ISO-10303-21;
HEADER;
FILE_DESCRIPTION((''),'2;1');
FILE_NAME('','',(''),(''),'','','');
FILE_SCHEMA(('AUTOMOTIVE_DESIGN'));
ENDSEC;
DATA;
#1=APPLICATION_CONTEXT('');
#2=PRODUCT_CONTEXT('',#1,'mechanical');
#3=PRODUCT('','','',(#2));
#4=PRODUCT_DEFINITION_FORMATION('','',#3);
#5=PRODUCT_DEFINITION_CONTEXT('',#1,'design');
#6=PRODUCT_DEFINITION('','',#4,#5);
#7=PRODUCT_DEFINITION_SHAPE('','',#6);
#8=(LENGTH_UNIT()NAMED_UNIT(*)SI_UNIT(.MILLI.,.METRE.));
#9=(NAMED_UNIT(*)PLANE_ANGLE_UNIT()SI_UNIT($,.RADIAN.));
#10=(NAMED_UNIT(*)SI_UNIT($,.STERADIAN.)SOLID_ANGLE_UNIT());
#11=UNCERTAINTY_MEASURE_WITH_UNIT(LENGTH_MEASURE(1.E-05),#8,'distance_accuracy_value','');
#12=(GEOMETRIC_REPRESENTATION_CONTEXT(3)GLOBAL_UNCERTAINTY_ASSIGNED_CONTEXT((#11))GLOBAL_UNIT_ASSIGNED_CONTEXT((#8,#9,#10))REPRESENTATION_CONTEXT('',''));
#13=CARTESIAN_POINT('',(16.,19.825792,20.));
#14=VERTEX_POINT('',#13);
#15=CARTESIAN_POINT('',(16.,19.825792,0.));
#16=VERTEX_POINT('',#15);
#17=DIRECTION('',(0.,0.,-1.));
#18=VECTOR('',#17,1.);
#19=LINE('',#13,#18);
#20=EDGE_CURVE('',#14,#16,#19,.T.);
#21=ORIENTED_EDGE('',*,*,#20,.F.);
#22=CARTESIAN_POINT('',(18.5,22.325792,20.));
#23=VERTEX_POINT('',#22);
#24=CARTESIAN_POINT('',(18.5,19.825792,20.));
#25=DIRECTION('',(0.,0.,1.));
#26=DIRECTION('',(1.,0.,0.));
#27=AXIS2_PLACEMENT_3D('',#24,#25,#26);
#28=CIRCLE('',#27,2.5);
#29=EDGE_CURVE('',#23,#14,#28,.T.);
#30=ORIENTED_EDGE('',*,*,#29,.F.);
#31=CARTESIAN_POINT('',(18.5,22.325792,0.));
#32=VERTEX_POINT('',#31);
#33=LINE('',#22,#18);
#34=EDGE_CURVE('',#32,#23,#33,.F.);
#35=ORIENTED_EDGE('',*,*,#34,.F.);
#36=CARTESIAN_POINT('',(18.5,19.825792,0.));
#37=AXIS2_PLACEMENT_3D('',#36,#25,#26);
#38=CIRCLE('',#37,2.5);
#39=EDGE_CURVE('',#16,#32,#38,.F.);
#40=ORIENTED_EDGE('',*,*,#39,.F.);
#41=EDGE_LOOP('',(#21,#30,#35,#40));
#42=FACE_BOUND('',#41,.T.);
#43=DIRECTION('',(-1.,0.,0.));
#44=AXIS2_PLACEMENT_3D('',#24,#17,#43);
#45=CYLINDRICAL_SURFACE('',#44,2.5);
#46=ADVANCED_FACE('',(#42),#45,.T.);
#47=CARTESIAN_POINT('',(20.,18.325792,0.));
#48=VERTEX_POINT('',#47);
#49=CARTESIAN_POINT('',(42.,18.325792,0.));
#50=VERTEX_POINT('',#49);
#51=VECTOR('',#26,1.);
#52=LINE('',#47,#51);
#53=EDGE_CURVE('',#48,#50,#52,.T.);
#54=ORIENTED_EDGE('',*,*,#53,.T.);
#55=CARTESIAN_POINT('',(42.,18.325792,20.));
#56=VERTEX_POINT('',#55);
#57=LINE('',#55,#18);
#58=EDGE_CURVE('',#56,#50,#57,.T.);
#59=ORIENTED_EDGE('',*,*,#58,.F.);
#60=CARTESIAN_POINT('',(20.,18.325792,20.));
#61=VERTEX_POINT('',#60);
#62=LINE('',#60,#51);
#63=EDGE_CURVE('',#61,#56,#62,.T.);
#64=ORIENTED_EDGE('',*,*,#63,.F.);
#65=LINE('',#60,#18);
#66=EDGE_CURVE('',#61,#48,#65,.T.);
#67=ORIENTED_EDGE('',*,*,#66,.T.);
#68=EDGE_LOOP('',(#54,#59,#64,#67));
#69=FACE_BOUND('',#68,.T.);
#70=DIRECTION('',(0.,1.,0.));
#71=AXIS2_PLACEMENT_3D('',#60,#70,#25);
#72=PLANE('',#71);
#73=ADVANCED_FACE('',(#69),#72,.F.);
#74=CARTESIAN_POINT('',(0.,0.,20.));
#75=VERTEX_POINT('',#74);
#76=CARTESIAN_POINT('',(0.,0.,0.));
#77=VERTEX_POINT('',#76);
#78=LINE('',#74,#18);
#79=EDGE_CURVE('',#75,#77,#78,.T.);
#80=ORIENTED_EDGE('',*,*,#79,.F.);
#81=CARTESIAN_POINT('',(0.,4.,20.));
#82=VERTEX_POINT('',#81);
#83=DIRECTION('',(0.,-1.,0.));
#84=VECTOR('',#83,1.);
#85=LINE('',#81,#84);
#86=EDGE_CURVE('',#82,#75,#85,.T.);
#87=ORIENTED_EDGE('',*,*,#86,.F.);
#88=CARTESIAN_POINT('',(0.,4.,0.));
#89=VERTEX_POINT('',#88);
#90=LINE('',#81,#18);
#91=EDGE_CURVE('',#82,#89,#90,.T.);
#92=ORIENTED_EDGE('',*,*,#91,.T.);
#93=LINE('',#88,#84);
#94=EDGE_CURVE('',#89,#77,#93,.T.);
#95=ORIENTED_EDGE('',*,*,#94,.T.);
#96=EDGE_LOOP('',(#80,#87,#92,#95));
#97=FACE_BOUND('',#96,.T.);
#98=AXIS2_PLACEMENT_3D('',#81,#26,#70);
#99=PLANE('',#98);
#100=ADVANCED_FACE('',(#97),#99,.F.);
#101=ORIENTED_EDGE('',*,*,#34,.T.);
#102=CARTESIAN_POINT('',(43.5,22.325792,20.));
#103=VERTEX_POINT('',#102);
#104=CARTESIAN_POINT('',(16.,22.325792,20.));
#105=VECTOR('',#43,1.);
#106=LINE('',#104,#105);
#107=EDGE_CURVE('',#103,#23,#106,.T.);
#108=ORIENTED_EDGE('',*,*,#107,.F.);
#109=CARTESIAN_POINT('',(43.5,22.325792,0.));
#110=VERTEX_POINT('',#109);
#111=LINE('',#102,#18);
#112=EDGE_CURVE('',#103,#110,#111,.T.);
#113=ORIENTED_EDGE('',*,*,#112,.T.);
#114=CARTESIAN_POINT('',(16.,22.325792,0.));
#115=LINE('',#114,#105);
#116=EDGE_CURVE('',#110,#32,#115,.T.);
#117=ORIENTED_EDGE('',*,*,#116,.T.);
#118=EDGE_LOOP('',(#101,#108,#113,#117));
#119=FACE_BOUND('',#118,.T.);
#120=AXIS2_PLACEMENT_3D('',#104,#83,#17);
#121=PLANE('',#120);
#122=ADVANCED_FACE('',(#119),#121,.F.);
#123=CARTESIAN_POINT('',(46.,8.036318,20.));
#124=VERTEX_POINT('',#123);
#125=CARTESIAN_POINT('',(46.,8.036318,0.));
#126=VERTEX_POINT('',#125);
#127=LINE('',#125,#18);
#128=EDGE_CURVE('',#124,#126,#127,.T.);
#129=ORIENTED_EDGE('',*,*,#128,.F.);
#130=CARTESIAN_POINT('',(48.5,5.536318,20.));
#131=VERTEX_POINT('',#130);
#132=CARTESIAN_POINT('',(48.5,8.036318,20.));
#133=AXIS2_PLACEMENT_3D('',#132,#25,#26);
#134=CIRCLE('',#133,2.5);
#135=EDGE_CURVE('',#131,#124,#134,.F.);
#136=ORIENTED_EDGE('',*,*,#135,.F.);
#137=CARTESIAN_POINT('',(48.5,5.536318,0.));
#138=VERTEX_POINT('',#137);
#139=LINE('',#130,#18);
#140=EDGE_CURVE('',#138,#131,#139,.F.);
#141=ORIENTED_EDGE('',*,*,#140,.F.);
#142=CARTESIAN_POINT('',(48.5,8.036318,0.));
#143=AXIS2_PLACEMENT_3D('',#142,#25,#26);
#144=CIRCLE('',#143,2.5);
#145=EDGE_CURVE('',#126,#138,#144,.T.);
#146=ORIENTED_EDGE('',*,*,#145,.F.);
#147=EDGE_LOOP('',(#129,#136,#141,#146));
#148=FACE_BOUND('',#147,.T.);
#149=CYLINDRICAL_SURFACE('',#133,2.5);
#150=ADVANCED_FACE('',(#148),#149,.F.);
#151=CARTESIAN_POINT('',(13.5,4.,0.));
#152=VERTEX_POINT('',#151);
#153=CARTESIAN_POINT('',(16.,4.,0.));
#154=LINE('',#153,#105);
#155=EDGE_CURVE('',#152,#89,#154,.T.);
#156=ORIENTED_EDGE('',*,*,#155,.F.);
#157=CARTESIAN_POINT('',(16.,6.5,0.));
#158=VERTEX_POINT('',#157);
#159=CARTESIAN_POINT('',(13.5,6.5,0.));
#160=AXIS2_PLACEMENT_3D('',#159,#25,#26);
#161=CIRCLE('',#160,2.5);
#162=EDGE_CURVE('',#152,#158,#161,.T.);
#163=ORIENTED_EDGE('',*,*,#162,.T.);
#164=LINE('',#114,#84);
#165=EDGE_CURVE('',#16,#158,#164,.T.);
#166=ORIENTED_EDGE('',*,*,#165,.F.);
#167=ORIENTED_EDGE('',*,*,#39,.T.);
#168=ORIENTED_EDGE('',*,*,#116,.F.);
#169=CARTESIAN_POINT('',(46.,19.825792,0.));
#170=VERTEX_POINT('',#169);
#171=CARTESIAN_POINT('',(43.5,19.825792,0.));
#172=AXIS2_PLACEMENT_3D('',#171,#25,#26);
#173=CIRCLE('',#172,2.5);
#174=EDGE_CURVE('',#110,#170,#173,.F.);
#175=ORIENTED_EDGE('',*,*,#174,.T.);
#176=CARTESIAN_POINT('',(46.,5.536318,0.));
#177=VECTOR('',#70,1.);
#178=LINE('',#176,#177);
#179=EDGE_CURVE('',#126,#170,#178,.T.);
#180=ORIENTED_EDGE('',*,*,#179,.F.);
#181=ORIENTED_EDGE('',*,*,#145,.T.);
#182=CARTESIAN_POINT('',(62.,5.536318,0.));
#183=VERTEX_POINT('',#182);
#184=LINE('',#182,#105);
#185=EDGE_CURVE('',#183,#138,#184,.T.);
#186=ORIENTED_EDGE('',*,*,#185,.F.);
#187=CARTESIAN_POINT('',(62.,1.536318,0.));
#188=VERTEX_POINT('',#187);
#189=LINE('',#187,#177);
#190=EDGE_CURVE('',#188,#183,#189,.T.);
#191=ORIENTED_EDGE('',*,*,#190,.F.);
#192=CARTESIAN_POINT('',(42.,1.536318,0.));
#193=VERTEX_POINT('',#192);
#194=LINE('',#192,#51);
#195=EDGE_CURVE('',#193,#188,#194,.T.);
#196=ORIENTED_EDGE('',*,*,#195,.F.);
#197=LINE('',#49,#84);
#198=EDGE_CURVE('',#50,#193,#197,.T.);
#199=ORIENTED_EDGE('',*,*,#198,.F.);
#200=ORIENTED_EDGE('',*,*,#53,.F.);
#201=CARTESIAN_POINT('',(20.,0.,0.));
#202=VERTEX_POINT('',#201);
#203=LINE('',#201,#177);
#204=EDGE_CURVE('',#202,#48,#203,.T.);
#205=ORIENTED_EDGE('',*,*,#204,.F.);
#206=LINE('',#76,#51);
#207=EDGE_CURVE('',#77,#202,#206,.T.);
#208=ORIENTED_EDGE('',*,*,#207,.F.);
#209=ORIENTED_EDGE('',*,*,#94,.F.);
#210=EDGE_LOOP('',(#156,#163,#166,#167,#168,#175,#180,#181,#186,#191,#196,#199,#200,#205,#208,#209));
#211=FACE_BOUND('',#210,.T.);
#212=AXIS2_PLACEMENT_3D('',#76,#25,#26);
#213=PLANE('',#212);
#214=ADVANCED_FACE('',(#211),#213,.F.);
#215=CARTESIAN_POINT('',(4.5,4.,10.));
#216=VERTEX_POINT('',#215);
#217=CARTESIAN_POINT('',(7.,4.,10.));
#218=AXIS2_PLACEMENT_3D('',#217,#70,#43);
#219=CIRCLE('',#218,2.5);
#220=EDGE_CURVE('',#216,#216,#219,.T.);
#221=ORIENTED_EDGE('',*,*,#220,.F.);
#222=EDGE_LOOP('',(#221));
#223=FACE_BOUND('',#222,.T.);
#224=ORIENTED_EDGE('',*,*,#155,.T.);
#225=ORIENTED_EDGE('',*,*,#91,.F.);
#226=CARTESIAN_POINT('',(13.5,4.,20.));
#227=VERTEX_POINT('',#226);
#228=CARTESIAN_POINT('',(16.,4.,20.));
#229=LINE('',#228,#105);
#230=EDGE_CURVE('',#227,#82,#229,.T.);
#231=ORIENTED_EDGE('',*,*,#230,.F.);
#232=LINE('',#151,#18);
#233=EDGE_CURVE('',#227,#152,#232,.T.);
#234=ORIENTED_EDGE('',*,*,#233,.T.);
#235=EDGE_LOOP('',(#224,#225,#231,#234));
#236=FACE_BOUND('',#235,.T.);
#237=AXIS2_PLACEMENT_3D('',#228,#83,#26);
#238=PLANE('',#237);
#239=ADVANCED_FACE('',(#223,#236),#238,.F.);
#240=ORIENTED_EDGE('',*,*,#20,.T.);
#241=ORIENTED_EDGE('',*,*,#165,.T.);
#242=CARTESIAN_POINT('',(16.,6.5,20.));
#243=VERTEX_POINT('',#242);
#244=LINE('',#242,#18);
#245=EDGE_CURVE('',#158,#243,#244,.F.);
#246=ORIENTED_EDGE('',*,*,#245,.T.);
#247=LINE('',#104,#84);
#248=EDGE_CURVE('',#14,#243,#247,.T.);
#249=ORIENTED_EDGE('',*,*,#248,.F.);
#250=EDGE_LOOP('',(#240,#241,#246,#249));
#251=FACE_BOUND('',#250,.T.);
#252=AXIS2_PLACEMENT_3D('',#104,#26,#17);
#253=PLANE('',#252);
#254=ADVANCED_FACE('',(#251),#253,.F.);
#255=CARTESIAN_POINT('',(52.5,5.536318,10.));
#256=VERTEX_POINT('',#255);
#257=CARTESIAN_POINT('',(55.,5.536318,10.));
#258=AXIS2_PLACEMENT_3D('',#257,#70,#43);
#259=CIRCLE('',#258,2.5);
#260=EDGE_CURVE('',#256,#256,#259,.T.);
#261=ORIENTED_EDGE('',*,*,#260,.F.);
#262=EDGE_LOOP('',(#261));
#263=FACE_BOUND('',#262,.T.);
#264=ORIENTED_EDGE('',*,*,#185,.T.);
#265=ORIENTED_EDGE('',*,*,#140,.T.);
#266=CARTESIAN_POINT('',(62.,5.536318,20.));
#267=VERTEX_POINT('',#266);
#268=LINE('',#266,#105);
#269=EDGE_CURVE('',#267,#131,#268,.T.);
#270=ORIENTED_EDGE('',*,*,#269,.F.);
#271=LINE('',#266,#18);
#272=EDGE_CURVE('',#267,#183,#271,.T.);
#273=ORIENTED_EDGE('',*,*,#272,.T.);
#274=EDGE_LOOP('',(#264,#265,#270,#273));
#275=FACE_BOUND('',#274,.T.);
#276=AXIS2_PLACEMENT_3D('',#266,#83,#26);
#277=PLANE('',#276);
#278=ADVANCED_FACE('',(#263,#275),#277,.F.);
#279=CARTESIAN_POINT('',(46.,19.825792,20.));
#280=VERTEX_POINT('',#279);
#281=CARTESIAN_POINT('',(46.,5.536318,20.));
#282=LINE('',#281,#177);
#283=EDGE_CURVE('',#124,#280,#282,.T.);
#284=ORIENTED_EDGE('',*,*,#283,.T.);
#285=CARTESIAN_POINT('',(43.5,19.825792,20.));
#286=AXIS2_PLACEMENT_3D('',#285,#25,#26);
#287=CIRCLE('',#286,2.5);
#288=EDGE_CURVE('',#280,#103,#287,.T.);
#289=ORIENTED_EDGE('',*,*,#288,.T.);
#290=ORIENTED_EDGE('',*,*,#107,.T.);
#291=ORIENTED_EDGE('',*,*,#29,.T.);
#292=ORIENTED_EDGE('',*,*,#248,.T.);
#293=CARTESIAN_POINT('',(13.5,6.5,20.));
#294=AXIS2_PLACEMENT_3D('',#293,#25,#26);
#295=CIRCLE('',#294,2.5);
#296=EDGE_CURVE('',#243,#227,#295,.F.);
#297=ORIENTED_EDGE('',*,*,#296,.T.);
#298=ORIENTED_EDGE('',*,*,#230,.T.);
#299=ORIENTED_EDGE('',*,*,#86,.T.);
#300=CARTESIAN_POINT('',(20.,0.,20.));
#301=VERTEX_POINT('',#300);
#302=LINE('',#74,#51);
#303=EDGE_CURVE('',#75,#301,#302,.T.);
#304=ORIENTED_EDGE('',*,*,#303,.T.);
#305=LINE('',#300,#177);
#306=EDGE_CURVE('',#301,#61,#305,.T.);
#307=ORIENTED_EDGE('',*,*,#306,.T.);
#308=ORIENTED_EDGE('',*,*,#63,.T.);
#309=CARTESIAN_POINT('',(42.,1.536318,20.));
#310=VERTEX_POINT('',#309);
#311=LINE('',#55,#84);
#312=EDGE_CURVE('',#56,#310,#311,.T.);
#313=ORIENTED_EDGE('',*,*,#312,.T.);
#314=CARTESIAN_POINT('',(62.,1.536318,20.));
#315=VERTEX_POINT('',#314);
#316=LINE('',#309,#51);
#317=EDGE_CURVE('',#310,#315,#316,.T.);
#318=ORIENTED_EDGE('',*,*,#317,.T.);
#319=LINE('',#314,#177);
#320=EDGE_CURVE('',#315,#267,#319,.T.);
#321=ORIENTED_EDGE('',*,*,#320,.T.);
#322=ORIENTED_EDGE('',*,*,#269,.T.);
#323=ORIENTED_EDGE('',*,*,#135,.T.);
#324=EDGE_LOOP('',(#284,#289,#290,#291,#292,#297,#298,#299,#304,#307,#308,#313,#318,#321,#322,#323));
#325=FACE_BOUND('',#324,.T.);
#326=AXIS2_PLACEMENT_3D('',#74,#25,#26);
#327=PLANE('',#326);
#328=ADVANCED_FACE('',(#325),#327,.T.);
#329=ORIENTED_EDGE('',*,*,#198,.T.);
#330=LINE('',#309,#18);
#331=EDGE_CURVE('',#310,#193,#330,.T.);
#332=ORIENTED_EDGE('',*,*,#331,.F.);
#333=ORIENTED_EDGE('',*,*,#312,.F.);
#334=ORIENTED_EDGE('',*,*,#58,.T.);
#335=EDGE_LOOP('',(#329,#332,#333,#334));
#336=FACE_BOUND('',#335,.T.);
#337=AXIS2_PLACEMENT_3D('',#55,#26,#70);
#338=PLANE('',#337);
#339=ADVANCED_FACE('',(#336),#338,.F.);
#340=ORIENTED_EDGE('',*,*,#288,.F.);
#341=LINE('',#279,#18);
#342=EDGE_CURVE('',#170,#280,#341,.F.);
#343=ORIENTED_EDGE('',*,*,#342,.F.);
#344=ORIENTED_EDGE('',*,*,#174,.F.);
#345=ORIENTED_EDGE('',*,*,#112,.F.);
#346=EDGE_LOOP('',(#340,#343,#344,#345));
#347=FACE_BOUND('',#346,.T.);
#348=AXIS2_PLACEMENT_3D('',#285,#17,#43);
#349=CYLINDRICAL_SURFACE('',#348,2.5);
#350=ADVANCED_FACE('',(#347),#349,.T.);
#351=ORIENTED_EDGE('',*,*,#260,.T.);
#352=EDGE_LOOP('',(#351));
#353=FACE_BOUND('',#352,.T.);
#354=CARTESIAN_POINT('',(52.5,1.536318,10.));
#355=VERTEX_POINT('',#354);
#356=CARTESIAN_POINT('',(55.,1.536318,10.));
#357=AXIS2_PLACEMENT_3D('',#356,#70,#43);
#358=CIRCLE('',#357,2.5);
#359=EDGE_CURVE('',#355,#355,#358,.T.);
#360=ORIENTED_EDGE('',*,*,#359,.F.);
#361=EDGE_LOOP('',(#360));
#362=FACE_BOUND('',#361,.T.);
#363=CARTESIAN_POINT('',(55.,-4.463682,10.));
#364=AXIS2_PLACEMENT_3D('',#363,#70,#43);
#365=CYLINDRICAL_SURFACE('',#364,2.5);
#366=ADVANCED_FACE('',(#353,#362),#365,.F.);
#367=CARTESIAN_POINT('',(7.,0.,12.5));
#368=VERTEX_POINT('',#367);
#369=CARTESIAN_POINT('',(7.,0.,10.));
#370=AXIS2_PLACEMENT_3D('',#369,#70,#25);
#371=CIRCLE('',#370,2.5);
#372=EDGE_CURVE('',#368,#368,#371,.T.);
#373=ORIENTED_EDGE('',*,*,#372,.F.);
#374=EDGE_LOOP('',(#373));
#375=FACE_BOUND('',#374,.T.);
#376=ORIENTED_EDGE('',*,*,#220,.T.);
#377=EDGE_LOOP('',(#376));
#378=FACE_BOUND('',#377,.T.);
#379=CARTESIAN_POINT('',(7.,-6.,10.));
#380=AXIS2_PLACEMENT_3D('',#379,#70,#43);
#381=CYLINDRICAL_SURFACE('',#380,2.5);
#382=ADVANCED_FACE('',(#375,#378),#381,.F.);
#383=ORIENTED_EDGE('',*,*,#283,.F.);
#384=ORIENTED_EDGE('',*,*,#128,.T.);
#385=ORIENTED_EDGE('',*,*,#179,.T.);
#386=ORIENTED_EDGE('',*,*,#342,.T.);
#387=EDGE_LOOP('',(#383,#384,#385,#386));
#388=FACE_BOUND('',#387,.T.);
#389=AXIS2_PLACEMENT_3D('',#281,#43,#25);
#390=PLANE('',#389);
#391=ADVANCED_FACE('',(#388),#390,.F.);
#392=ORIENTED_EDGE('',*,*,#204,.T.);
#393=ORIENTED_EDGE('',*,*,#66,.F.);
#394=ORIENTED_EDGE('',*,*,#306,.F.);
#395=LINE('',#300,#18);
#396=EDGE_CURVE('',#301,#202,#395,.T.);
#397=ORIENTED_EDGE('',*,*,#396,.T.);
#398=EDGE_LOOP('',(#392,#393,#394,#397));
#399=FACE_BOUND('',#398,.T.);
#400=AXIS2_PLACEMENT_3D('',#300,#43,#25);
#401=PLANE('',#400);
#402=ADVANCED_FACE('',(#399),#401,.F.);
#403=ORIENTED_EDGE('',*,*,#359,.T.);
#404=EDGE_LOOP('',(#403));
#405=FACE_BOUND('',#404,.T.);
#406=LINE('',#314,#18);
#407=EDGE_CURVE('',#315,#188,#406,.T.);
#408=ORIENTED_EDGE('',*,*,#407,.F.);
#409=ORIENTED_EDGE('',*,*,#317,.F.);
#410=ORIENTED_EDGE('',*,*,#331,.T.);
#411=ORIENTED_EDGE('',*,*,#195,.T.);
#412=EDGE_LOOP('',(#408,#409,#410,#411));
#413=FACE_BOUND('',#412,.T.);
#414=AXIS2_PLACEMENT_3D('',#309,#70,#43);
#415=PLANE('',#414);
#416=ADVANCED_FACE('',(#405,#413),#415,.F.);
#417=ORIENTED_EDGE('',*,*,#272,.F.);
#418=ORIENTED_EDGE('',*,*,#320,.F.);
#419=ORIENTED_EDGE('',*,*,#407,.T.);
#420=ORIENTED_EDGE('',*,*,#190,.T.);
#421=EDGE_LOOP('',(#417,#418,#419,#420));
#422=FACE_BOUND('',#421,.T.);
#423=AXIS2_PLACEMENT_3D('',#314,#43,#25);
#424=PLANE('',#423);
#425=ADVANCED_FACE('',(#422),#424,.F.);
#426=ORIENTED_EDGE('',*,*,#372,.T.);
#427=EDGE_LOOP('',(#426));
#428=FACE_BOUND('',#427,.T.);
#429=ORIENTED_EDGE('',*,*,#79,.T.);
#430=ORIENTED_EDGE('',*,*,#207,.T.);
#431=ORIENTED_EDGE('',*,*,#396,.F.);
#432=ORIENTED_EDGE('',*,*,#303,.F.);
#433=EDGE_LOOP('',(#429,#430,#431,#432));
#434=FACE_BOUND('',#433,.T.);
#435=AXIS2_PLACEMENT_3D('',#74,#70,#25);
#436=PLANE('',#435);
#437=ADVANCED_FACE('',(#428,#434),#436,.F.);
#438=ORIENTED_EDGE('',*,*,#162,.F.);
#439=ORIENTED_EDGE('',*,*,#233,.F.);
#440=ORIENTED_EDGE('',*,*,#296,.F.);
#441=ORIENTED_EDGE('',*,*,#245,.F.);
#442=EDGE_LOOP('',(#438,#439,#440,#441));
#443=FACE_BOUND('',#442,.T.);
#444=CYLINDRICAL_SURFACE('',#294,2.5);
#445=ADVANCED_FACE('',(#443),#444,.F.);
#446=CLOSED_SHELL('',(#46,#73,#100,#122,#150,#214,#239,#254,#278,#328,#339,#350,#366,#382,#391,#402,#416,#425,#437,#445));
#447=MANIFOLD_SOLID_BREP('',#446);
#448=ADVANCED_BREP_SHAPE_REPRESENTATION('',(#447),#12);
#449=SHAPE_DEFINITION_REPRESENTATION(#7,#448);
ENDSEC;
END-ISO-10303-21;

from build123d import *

# Parameters (mm, degrees)
BOSS_EXTRUDE1_DEPTH = 20
FILLET2_R           = 2.5
SKETCH2_R           = 2.5
CUT_EXTRUDE1_DEPTH  = 10
SKETCH3_R           = 2.5
CUT_EXTRUDE2_DEPTH  = 10


with BuildPart() as part:
    # Sketch1 → Boss-Extrude1 (new body)
    with BuildSketch(Plane.XY):
        Polygon((0, 0), (20, 0), (20, 18.325792173), (42, 18.325792173), (42, 1.536318489), (62, 1.536318489), (62, 5.536318489), (46, 5.536318489), (46, 22.325792173), (16, 22.325792173), (16, 4), (0, 4), align=None)
    extrude(amount=BOSS_EXTRUDE1_DEPTH)

    # Fillet2
    fillet2_edges = [part.edges().sort_by_distance(p)[0] for p in [
        (16, 4, 10),
        (16, 22.325792173, 10),
        (46, 22.325792173, 10),
        (46, 5.536318489, 10),
    ]]
    fillet(fillet2_edges, radius=FILLET2_R)

    # Sketch2 → Cut-Extrude1 (cut)
    with BuildSketch(Plane(origin=(0, 4, 0), x_dir=(1, 0, 0), z_dir=(0, 1, 0))):
        with Locations((7, -10)):
            Circle(SKETCH2_R)
    extrude(amount=-CUT_EXTRUDE1_DEPTH, mode=Mode.SUBTRACT)

    # Sketch3 → Cut-Extrude2 (cut)
    with BuildSketch(Plane(origin=(0, 5.536318489, 0), x_dir=(1, 0, 0), z_dir=(0, 1, 0))):
        with Locations((55, -10)):
            Circle(SKETCH3_R)
    extrude(amount=-CUT_EXTRUDE2_DEPTH, mode=Mode.SUBTRACT)


solid = part.part
